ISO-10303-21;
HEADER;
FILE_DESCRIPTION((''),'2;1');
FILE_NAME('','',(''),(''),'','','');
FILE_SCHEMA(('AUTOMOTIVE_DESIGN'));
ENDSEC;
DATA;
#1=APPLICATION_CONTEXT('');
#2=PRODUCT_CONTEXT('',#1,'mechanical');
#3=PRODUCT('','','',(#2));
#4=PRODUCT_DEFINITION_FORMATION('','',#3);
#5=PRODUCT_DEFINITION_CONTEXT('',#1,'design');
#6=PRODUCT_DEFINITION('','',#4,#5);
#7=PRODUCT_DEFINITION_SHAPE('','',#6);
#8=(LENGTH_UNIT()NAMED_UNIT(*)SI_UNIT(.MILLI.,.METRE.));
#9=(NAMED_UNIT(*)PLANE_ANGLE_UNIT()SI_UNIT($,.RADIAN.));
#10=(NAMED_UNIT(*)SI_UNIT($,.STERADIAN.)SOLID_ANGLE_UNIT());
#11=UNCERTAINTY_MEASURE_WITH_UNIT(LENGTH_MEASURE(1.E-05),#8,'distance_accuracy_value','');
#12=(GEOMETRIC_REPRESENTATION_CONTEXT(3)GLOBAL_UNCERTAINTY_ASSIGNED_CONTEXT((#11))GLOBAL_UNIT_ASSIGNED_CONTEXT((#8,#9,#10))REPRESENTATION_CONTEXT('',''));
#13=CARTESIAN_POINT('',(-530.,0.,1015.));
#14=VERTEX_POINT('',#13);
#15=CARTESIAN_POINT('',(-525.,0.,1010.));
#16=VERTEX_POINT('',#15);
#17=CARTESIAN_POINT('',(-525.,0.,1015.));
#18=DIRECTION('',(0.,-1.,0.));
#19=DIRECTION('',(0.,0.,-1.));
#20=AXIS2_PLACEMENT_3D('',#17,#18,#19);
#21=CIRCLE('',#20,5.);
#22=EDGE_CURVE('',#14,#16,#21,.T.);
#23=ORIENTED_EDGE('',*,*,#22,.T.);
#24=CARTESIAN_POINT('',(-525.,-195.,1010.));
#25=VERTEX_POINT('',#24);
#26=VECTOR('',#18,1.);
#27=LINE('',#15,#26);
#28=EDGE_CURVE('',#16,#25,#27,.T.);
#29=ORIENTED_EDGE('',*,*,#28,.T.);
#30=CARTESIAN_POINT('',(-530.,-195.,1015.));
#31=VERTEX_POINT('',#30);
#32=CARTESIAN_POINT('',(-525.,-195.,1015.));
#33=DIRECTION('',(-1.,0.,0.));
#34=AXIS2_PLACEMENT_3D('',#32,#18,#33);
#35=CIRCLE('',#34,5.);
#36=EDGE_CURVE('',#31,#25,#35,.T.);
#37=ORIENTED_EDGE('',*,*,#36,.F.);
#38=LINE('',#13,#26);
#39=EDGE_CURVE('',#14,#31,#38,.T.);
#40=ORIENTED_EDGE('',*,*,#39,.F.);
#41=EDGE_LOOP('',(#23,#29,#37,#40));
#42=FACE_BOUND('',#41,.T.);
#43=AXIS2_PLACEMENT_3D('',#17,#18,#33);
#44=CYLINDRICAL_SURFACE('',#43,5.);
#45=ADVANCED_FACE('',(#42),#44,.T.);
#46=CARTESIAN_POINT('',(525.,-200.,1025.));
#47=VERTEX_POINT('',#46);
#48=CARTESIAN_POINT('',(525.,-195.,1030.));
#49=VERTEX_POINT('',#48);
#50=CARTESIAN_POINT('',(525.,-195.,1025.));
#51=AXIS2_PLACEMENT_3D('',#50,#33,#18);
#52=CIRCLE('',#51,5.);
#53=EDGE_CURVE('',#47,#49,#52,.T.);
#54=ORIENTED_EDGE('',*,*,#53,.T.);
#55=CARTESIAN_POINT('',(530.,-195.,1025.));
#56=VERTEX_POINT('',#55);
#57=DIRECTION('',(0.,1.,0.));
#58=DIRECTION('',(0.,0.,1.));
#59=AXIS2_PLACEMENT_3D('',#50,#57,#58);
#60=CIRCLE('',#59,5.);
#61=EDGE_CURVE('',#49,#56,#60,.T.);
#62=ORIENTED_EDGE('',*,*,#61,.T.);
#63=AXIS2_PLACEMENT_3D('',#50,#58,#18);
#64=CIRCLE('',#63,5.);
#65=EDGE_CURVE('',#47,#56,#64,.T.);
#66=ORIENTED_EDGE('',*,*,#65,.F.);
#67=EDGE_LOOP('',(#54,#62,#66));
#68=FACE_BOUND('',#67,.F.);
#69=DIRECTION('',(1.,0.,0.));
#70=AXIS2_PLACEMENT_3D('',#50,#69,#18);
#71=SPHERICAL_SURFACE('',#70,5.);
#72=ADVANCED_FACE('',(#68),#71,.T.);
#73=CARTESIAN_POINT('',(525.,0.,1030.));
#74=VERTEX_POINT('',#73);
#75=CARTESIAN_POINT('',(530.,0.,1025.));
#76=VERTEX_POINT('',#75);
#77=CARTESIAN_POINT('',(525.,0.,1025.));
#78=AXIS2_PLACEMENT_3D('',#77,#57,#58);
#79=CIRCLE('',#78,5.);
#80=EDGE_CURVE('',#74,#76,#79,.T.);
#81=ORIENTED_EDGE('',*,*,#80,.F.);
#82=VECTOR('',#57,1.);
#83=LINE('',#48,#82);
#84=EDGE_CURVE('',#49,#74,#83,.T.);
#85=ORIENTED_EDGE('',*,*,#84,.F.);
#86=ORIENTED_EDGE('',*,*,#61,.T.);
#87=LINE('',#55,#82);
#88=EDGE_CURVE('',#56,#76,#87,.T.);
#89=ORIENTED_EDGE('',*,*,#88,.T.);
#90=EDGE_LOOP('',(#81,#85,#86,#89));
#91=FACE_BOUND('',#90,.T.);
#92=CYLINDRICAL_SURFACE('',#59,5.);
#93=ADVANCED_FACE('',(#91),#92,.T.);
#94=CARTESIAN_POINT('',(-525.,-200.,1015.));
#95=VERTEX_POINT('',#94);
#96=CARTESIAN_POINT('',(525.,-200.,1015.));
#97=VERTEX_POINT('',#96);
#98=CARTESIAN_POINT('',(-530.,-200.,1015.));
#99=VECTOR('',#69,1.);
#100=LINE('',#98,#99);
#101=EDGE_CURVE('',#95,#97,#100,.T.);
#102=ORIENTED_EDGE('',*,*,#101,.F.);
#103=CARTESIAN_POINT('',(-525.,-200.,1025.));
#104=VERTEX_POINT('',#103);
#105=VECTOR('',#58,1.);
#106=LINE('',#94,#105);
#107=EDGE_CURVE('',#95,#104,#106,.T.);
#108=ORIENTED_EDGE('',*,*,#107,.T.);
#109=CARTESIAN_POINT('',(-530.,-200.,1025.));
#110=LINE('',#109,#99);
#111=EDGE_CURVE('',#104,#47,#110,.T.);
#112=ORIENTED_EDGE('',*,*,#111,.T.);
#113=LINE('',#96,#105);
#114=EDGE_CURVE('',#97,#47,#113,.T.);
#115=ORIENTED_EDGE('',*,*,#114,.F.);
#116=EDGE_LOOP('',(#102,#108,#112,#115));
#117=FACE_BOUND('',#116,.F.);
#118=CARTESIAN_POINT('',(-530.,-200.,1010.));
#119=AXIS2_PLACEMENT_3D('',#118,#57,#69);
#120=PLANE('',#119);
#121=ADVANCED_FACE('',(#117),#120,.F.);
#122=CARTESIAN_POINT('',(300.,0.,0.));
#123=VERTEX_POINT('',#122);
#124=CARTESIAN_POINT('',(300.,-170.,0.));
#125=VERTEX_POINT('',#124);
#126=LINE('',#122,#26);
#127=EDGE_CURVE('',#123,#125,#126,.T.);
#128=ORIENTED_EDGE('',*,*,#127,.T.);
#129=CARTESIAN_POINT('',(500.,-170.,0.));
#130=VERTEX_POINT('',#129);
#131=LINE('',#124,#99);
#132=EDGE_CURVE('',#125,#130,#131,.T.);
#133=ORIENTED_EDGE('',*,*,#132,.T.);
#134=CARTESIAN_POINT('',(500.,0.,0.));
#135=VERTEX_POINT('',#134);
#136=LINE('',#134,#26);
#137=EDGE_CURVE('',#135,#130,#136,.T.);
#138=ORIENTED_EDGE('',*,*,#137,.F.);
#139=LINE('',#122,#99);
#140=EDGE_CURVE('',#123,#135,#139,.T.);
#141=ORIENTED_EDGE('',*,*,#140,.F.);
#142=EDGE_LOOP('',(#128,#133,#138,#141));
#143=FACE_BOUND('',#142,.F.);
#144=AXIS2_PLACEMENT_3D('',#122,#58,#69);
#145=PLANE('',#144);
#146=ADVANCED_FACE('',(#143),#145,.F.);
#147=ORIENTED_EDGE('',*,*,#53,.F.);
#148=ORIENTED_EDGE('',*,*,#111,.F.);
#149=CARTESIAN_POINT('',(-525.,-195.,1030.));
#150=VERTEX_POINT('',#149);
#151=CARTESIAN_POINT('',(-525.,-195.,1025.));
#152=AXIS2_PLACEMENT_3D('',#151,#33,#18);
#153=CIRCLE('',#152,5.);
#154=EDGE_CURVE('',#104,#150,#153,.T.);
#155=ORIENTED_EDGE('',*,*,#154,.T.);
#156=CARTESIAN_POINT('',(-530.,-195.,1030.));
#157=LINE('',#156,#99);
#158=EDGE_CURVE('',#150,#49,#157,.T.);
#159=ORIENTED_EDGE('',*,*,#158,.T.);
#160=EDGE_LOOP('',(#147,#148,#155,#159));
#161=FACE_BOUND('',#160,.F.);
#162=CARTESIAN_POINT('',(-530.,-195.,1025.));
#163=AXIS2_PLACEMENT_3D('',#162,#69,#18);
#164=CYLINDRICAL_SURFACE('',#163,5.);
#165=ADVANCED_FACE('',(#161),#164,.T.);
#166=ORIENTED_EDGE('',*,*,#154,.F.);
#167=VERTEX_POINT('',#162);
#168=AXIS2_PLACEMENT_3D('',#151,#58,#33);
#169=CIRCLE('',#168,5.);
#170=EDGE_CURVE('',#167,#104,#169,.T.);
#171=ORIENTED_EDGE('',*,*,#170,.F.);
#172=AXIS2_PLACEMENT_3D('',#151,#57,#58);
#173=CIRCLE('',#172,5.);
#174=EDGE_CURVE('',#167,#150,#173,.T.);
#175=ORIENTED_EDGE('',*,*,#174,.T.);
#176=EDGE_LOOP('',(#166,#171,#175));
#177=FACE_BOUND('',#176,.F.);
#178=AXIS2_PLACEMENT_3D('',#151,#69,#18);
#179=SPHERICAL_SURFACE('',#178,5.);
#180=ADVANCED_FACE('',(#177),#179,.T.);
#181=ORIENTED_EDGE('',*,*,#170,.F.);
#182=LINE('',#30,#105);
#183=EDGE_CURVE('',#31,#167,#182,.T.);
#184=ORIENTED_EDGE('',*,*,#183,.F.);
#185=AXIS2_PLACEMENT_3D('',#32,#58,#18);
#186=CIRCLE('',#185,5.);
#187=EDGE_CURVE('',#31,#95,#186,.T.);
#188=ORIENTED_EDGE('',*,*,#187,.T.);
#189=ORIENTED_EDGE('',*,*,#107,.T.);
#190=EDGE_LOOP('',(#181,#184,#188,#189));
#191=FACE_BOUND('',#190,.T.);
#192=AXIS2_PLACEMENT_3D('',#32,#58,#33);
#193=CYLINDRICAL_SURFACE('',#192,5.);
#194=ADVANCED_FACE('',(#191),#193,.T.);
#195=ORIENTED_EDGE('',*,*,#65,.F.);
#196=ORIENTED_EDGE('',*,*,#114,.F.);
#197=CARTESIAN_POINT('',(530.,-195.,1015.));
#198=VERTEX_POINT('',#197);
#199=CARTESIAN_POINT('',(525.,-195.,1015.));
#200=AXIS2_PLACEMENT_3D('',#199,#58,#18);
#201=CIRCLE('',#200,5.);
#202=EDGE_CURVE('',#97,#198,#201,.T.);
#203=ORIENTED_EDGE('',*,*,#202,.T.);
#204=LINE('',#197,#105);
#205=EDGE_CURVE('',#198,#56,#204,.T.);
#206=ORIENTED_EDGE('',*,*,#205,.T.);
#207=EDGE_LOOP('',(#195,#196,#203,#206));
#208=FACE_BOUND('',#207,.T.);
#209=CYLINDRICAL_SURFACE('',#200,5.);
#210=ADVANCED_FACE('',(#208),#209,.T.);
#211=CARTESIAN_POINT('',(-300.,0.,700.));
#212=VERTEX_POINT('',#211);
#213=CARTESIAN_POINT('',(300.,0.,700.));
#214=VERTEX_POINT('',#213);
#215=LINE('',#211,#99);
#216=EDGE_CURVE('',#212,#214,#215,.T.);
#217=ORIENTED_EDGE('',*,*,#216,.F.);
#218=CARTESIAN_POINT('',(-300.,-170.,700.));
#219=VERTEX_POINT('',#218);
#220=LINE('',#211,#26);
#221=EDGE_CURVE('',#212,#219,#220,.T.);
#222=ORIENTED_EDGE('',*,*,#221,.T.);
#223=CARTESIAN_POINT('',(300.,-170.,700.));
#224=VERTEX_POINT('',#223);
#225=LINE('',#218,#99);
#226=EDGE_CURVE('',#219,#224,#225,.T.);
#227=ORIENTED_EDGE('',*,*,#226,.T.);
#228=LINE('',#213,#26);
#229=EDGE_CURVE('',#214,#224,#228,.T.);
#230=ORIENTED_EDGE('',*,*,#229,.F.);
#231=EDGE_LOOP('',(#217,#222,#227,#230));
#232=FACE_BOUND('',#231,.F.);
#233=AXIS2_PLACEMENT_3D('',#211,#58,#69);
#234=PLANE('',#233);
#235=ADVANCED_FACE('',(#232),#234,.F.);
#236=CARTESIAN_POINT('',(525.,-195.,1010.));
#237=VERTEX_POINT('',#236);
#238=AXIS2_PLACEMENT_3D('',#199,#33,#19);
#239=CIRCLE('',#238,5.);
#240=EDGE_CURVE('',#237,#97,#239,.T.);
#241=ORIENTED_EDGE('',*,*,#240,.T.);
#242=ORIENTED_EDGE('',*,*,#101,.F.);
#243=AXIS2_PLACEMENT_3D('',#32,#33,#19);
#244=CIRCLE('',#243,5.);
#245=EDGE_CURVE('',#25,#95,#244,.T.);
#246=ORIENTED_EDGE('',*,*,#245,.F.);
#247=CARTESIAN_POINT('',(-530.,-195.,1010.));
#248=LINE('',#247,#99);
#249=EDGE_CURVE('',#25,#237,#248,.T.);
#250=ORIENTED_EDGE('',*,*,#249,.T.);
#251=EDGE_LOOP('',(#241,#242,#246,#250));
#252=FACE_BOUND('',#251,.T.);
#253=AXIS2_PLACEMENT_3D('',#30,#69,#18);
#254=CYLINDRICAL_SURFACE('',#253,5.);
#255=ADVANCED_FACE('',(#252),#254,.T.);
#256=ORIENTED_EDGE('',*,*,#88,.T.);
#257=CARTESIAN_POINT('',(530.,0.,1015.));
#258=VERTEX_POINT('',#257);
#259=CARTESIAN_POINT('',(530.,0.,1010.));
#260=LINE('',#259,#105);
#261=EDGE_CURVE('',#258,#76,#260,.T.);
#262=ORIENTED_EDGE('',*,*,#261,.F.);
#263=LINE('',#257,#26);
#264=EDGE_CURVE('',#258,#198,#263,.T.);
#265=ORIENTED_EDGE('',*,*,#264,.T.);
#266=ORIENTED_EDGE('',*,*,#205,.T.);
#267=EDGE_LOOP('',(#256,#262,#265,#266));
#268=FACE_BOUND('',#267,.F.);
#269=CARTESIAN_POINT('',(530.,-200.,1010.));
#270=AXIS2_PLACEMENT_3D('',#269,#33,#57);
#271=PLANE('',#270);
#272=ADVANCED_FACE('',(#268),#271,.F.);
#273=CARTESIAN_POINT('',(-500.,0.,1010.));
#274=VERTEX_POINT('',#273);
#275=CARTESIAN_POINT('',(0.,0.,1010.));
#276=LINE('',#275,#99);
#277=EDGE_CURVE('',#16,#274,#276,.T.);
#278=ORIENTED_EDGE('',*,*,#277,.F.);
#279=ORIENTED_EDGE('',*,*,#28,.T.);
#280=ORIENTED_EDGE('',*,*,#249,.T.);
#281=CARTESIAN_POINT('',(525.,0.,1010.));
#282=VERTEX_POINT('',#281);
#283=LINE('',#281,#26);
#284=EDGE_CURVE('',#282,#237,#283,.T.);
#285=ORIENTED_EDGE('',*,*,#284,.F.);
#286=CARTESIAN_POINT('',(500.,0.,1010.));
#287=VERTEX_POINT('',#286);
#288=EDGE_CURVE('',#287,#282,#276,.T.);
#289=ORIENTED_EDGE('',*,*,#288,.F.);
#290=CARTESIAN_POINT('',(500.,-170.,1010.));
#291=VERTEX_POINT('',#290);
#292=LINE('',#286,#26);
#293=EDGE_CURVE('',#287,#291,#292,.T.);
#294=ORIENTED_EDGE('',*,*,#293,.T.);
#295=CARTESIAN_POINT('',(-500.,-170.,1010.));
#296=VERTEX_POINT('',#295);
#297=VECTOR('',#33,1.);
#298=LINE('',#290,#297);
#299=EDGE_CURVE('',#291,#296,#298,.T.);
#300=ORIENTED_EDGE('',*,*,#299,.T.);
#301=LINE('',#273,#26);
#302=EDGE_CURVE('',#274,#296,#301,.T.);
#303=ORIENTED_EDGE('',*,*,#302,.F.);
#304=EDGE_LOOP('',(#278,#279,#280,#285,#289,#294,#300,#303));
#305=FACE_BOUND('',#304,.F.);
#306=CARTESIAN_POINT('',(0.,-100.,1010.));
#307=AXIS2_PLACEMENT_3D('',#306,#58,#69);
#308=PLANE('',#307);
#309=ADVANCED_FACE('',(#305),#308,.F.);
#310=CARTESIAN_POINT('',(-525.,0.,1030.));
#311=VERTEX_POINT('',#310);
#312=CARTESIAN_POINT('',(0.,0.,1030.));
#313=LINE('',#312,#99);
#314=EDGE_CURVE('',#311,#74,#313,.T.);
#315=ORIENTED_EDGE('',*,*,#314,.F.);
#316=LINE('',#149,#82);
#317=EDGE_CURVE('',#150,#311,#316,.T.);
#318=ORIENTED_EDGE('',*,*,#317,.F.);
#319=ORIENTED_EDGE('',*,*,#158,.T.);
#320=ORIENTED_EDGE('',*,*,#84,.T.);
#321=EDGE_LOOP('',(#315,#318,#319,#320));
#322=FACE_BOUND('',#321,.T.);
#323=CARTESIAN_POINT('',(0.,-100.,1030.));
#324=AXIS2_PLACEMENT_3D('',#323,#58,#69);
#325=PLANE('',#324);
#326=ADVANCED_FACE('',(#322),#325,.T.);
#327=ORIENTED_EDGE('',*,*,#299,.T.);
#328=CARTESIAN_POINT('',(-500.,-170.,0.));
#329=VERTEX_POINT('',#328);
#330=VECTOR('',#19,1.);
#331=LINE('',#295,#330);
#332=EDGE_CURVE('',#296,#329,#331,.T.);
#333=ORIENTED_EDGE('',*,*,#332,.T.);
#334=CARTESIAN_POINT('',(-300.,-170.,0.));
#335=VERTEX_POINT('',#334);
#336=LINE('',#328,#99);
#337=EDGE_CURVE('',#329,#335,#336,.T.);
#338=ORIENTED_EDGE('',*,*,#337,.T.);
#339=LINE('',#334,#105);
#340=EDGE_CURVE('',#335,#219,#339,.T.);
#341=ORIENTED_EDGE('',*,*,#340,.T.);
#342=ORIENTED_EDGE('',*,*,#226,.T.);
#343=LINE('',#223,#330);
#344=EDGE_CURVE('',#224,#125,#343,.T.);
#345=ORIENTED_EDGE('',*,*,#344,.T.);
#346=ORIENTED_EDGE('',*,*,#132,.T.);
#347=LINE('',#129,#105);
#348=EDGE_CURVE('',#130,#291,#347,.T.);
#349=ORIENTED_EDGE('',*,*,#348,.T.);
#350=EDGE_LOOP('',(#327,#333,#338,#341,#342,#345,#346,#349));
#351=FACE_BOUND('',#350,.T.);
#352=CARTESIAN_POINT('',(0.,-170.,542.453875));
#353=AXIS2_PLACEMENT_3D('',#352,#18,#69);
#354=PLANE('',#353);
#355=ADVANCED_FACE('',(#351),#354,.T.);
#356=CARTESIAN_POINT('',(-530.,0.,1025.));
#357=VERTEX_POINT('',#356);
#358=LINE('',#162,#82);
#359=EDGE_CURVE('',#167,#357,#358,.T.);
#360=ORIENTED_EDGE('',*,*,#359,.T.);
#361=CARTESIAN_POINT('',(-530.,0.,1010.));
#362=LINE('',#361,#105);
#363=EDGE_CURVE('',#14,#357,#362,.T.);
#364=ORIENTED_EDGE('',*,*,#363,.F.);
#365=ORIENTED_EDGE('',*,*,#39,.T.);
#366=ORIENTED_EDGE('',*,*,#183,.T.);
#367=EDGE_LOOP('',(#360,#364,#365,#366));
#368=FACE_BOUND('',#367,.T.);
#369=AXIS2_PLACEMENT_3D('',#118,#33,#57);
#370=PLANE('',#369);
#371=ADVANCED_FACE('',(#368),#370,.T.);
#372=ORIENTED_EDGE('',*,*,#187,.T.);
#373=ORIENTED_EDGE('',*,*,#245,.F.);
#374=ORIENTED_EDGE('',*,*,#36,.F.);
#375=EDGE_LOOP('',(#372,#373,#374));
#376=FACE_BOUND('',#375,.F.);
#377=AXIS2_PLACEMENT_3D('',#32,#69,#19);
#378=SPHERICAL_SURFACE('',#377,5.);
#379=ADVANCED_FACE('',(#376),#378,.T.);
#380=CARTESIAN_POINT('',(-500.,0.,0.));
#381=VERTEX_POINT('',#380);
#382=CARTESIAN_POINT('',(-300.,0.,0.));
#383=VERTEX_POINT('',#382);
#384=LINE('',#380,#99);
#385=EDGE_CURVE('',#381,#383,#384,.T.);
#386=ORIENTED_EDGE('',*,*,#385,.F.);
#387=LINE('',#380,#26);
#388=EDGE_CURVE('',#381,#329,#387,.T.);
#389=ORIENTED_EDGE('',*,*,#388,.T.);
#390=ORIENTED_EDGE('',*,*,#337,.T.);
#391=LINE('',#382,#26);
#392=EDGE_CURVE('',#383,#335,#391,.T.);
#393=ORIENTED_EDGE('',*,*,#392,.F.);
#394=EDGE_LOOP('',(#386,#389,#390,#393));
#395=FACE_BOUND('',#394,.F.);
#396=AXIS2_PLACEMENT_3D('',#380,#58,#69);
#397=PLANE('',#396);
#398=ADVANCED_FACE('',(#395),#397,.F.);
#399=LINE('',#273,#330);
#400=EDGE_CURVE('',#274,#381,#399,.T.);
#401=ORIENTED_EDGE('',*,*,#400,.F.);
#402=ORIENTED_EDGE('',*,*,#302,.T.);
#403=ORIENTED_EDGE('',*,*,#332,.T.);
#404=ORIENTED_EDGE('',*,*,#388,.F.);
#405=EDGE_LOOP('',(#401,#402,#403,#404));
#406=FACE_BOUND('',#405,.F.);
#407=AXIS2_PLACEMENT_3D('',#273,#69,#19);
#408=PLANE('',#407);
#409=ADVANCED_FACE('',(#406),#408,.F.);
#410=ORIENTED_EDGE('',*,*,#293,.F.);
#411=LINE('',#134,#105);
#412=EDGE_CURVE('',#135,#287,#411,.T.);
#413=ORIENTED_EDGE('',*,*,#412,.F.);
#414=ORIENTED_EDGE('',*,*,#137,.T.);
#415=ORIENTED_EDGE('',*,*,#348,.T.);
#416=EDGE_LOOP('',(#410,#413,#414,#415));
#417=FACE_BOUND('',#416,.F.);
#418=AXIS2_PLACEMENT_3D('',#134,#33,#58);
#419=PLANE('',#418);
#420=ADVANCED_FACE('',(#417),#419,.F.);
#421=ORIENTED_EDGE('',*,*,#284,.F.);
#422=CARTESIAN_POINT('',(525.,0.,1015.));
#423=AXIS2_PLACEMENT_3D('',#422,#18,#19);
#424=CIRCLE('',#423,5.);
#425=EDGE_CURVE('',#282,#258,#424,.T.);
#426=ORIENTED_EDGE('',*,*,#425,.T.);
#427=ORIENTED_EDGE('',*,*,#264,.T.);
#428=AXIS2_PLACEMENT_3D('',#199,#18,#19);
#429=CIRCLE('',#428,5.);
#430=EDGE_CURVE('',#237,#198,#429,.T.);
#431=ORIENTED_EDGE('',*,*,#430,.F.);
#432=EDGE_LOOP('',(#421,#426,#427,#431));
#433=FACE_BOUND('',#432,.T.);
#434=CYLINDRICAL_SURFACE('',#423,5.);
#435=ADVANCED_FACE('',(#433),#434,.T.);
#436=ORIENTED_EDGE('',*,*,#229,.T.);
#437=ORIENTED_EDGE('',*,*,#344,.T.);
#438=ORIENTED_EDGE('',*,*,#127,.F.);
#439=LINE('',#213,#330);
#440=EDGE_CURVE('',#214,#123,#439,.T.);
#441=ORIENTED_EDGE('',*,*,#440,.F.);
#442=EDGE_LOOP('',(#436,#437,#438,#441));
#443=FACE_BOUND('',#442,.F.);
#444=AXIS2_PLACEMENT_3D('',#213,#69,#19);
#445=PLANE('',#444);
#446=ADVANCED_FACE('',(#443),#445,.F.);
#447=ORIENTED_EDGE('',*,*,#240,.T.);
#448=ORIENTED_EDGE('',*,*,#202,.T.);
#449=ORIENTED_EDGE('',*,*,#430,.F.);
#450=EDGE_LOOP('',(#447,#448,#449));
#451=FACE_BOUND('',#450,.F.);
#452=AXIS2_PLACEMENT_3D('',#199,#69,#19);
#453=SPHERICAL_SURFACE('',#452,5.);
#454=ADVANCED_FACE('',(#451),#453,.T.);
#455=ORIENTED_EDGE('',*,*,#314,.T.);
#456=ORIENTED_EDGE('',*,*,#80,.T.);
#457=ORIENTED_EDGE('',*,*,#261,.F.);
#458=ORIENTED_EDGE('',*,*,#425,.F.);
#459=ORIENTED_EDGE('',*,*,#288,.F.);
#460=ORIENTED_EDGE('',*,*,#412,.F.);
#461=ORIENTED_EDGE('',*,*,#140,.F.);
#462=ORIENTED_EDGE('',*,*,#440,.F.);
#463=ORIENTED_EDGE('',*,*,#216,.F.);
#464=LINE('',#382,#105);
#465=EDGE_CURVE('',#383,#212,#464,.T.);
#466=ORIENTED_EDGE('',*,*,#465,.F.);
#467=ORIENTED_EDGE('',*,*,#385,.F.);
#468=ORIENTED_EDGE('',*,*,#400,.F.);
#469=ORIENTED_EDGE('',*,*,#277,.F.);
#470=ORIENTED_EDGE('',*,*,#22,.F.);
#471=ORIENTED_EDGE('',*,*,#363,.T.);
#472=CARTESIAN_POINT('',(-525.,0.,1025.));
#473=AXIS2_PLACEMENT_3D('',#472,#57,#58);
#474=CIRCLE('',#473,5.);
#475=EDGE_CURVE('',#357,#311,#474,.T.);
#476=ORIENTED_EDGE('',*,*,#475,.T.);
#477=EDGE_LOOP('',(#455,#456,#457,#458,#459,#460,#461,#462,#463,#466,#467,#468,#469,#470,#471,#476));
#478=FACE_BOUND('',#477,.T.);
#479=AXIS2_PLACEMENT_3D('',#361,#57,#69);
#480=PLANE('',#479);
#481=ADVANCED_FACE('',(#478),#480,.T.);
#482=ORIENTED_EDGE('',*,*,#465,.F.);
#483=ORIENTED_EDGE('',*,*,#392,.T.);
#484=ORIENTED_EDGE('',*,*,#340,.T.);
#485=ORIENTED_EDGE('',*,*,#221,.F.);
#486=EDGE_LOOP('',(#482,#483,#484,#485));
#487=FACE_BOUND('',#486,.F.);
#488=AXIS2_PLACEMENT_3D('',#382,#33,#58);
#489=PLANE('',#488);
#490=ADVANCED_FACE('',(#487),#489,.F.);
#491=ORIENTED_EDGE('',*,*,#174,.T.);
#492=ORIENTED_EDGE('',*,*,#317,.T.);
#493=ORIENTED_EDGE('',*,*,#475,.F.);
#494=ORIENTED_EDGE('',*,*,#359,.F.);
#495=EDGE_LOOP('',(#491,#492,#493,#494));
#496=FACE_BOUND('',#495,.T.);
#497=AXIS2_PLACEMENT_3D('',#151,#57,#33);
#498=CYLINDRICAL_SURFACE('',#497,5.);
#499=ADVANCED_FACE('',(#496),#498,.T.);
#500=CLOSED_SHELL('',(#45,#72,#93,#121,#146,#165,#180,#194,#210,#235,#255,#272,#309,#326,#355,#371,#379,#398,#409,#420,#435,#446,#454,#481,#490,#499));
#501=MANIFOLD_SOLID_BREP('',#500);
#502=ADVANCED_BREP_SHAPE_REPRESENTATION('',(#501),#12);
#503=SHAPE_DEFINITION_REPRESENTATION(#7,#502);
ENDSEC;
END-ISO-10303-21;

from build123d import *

# Parameters (mm, degrees)
F1_DEPTH = 170
F2_W     = 1060
F2_H     = 200
F3_DEPTH = 20
F4_R     = 5
F5_R     = 5
F6_R     = 5
F7_R     = 5


with BuildPart() as f1:
    # F0 (on Front) → F1 (new body)
    with BuildSketch(Plane.XZ):
        Polygon((500, 1010), (0, 1010), (-500, 1010), (-500, 0), (-300, 0), (-300, 700), (0, 700), (300, 700), (300, 0), (500, 0), align=None)
    extrude(amount=F1_DEPTH)

    # F2 (on face) → F3 (join)
    with BuildSketch(Plane.XY.offset(1010)):
        with Locations((0, -100)):
            Rectangle(F2_W, F2_H)
    extrude(amount=F3_DEPTH)

    # F4
    f4_edges = [f1.edges().sort_by_distance(p)[0] for p in [
        (0, -200, 1010),
    ]]
    fillet(f4_edges, radius=F4_R)

    # F5
    f5_edges = [f1.edges().sort_by_distance(p)[0] for p in [
        (0, -200, 1030),
    ]]
    fillet(f5_edges, radius=F5_R)

    # F6
    f6_edges = [f1.edges().sort_by_distance(p)[0] for p in [
        (530, -97.5, 1030),
    ]]
    fillet(f6_edges, radius=F6_R)

    # F7
    f7_edges = [f1.edges().sort_by_distance(p)[0] for p in [
        (-530, -97.5, 1030),
    ]]
    fillet(f7_edges, radius=F7_R)


solid = f1.part
